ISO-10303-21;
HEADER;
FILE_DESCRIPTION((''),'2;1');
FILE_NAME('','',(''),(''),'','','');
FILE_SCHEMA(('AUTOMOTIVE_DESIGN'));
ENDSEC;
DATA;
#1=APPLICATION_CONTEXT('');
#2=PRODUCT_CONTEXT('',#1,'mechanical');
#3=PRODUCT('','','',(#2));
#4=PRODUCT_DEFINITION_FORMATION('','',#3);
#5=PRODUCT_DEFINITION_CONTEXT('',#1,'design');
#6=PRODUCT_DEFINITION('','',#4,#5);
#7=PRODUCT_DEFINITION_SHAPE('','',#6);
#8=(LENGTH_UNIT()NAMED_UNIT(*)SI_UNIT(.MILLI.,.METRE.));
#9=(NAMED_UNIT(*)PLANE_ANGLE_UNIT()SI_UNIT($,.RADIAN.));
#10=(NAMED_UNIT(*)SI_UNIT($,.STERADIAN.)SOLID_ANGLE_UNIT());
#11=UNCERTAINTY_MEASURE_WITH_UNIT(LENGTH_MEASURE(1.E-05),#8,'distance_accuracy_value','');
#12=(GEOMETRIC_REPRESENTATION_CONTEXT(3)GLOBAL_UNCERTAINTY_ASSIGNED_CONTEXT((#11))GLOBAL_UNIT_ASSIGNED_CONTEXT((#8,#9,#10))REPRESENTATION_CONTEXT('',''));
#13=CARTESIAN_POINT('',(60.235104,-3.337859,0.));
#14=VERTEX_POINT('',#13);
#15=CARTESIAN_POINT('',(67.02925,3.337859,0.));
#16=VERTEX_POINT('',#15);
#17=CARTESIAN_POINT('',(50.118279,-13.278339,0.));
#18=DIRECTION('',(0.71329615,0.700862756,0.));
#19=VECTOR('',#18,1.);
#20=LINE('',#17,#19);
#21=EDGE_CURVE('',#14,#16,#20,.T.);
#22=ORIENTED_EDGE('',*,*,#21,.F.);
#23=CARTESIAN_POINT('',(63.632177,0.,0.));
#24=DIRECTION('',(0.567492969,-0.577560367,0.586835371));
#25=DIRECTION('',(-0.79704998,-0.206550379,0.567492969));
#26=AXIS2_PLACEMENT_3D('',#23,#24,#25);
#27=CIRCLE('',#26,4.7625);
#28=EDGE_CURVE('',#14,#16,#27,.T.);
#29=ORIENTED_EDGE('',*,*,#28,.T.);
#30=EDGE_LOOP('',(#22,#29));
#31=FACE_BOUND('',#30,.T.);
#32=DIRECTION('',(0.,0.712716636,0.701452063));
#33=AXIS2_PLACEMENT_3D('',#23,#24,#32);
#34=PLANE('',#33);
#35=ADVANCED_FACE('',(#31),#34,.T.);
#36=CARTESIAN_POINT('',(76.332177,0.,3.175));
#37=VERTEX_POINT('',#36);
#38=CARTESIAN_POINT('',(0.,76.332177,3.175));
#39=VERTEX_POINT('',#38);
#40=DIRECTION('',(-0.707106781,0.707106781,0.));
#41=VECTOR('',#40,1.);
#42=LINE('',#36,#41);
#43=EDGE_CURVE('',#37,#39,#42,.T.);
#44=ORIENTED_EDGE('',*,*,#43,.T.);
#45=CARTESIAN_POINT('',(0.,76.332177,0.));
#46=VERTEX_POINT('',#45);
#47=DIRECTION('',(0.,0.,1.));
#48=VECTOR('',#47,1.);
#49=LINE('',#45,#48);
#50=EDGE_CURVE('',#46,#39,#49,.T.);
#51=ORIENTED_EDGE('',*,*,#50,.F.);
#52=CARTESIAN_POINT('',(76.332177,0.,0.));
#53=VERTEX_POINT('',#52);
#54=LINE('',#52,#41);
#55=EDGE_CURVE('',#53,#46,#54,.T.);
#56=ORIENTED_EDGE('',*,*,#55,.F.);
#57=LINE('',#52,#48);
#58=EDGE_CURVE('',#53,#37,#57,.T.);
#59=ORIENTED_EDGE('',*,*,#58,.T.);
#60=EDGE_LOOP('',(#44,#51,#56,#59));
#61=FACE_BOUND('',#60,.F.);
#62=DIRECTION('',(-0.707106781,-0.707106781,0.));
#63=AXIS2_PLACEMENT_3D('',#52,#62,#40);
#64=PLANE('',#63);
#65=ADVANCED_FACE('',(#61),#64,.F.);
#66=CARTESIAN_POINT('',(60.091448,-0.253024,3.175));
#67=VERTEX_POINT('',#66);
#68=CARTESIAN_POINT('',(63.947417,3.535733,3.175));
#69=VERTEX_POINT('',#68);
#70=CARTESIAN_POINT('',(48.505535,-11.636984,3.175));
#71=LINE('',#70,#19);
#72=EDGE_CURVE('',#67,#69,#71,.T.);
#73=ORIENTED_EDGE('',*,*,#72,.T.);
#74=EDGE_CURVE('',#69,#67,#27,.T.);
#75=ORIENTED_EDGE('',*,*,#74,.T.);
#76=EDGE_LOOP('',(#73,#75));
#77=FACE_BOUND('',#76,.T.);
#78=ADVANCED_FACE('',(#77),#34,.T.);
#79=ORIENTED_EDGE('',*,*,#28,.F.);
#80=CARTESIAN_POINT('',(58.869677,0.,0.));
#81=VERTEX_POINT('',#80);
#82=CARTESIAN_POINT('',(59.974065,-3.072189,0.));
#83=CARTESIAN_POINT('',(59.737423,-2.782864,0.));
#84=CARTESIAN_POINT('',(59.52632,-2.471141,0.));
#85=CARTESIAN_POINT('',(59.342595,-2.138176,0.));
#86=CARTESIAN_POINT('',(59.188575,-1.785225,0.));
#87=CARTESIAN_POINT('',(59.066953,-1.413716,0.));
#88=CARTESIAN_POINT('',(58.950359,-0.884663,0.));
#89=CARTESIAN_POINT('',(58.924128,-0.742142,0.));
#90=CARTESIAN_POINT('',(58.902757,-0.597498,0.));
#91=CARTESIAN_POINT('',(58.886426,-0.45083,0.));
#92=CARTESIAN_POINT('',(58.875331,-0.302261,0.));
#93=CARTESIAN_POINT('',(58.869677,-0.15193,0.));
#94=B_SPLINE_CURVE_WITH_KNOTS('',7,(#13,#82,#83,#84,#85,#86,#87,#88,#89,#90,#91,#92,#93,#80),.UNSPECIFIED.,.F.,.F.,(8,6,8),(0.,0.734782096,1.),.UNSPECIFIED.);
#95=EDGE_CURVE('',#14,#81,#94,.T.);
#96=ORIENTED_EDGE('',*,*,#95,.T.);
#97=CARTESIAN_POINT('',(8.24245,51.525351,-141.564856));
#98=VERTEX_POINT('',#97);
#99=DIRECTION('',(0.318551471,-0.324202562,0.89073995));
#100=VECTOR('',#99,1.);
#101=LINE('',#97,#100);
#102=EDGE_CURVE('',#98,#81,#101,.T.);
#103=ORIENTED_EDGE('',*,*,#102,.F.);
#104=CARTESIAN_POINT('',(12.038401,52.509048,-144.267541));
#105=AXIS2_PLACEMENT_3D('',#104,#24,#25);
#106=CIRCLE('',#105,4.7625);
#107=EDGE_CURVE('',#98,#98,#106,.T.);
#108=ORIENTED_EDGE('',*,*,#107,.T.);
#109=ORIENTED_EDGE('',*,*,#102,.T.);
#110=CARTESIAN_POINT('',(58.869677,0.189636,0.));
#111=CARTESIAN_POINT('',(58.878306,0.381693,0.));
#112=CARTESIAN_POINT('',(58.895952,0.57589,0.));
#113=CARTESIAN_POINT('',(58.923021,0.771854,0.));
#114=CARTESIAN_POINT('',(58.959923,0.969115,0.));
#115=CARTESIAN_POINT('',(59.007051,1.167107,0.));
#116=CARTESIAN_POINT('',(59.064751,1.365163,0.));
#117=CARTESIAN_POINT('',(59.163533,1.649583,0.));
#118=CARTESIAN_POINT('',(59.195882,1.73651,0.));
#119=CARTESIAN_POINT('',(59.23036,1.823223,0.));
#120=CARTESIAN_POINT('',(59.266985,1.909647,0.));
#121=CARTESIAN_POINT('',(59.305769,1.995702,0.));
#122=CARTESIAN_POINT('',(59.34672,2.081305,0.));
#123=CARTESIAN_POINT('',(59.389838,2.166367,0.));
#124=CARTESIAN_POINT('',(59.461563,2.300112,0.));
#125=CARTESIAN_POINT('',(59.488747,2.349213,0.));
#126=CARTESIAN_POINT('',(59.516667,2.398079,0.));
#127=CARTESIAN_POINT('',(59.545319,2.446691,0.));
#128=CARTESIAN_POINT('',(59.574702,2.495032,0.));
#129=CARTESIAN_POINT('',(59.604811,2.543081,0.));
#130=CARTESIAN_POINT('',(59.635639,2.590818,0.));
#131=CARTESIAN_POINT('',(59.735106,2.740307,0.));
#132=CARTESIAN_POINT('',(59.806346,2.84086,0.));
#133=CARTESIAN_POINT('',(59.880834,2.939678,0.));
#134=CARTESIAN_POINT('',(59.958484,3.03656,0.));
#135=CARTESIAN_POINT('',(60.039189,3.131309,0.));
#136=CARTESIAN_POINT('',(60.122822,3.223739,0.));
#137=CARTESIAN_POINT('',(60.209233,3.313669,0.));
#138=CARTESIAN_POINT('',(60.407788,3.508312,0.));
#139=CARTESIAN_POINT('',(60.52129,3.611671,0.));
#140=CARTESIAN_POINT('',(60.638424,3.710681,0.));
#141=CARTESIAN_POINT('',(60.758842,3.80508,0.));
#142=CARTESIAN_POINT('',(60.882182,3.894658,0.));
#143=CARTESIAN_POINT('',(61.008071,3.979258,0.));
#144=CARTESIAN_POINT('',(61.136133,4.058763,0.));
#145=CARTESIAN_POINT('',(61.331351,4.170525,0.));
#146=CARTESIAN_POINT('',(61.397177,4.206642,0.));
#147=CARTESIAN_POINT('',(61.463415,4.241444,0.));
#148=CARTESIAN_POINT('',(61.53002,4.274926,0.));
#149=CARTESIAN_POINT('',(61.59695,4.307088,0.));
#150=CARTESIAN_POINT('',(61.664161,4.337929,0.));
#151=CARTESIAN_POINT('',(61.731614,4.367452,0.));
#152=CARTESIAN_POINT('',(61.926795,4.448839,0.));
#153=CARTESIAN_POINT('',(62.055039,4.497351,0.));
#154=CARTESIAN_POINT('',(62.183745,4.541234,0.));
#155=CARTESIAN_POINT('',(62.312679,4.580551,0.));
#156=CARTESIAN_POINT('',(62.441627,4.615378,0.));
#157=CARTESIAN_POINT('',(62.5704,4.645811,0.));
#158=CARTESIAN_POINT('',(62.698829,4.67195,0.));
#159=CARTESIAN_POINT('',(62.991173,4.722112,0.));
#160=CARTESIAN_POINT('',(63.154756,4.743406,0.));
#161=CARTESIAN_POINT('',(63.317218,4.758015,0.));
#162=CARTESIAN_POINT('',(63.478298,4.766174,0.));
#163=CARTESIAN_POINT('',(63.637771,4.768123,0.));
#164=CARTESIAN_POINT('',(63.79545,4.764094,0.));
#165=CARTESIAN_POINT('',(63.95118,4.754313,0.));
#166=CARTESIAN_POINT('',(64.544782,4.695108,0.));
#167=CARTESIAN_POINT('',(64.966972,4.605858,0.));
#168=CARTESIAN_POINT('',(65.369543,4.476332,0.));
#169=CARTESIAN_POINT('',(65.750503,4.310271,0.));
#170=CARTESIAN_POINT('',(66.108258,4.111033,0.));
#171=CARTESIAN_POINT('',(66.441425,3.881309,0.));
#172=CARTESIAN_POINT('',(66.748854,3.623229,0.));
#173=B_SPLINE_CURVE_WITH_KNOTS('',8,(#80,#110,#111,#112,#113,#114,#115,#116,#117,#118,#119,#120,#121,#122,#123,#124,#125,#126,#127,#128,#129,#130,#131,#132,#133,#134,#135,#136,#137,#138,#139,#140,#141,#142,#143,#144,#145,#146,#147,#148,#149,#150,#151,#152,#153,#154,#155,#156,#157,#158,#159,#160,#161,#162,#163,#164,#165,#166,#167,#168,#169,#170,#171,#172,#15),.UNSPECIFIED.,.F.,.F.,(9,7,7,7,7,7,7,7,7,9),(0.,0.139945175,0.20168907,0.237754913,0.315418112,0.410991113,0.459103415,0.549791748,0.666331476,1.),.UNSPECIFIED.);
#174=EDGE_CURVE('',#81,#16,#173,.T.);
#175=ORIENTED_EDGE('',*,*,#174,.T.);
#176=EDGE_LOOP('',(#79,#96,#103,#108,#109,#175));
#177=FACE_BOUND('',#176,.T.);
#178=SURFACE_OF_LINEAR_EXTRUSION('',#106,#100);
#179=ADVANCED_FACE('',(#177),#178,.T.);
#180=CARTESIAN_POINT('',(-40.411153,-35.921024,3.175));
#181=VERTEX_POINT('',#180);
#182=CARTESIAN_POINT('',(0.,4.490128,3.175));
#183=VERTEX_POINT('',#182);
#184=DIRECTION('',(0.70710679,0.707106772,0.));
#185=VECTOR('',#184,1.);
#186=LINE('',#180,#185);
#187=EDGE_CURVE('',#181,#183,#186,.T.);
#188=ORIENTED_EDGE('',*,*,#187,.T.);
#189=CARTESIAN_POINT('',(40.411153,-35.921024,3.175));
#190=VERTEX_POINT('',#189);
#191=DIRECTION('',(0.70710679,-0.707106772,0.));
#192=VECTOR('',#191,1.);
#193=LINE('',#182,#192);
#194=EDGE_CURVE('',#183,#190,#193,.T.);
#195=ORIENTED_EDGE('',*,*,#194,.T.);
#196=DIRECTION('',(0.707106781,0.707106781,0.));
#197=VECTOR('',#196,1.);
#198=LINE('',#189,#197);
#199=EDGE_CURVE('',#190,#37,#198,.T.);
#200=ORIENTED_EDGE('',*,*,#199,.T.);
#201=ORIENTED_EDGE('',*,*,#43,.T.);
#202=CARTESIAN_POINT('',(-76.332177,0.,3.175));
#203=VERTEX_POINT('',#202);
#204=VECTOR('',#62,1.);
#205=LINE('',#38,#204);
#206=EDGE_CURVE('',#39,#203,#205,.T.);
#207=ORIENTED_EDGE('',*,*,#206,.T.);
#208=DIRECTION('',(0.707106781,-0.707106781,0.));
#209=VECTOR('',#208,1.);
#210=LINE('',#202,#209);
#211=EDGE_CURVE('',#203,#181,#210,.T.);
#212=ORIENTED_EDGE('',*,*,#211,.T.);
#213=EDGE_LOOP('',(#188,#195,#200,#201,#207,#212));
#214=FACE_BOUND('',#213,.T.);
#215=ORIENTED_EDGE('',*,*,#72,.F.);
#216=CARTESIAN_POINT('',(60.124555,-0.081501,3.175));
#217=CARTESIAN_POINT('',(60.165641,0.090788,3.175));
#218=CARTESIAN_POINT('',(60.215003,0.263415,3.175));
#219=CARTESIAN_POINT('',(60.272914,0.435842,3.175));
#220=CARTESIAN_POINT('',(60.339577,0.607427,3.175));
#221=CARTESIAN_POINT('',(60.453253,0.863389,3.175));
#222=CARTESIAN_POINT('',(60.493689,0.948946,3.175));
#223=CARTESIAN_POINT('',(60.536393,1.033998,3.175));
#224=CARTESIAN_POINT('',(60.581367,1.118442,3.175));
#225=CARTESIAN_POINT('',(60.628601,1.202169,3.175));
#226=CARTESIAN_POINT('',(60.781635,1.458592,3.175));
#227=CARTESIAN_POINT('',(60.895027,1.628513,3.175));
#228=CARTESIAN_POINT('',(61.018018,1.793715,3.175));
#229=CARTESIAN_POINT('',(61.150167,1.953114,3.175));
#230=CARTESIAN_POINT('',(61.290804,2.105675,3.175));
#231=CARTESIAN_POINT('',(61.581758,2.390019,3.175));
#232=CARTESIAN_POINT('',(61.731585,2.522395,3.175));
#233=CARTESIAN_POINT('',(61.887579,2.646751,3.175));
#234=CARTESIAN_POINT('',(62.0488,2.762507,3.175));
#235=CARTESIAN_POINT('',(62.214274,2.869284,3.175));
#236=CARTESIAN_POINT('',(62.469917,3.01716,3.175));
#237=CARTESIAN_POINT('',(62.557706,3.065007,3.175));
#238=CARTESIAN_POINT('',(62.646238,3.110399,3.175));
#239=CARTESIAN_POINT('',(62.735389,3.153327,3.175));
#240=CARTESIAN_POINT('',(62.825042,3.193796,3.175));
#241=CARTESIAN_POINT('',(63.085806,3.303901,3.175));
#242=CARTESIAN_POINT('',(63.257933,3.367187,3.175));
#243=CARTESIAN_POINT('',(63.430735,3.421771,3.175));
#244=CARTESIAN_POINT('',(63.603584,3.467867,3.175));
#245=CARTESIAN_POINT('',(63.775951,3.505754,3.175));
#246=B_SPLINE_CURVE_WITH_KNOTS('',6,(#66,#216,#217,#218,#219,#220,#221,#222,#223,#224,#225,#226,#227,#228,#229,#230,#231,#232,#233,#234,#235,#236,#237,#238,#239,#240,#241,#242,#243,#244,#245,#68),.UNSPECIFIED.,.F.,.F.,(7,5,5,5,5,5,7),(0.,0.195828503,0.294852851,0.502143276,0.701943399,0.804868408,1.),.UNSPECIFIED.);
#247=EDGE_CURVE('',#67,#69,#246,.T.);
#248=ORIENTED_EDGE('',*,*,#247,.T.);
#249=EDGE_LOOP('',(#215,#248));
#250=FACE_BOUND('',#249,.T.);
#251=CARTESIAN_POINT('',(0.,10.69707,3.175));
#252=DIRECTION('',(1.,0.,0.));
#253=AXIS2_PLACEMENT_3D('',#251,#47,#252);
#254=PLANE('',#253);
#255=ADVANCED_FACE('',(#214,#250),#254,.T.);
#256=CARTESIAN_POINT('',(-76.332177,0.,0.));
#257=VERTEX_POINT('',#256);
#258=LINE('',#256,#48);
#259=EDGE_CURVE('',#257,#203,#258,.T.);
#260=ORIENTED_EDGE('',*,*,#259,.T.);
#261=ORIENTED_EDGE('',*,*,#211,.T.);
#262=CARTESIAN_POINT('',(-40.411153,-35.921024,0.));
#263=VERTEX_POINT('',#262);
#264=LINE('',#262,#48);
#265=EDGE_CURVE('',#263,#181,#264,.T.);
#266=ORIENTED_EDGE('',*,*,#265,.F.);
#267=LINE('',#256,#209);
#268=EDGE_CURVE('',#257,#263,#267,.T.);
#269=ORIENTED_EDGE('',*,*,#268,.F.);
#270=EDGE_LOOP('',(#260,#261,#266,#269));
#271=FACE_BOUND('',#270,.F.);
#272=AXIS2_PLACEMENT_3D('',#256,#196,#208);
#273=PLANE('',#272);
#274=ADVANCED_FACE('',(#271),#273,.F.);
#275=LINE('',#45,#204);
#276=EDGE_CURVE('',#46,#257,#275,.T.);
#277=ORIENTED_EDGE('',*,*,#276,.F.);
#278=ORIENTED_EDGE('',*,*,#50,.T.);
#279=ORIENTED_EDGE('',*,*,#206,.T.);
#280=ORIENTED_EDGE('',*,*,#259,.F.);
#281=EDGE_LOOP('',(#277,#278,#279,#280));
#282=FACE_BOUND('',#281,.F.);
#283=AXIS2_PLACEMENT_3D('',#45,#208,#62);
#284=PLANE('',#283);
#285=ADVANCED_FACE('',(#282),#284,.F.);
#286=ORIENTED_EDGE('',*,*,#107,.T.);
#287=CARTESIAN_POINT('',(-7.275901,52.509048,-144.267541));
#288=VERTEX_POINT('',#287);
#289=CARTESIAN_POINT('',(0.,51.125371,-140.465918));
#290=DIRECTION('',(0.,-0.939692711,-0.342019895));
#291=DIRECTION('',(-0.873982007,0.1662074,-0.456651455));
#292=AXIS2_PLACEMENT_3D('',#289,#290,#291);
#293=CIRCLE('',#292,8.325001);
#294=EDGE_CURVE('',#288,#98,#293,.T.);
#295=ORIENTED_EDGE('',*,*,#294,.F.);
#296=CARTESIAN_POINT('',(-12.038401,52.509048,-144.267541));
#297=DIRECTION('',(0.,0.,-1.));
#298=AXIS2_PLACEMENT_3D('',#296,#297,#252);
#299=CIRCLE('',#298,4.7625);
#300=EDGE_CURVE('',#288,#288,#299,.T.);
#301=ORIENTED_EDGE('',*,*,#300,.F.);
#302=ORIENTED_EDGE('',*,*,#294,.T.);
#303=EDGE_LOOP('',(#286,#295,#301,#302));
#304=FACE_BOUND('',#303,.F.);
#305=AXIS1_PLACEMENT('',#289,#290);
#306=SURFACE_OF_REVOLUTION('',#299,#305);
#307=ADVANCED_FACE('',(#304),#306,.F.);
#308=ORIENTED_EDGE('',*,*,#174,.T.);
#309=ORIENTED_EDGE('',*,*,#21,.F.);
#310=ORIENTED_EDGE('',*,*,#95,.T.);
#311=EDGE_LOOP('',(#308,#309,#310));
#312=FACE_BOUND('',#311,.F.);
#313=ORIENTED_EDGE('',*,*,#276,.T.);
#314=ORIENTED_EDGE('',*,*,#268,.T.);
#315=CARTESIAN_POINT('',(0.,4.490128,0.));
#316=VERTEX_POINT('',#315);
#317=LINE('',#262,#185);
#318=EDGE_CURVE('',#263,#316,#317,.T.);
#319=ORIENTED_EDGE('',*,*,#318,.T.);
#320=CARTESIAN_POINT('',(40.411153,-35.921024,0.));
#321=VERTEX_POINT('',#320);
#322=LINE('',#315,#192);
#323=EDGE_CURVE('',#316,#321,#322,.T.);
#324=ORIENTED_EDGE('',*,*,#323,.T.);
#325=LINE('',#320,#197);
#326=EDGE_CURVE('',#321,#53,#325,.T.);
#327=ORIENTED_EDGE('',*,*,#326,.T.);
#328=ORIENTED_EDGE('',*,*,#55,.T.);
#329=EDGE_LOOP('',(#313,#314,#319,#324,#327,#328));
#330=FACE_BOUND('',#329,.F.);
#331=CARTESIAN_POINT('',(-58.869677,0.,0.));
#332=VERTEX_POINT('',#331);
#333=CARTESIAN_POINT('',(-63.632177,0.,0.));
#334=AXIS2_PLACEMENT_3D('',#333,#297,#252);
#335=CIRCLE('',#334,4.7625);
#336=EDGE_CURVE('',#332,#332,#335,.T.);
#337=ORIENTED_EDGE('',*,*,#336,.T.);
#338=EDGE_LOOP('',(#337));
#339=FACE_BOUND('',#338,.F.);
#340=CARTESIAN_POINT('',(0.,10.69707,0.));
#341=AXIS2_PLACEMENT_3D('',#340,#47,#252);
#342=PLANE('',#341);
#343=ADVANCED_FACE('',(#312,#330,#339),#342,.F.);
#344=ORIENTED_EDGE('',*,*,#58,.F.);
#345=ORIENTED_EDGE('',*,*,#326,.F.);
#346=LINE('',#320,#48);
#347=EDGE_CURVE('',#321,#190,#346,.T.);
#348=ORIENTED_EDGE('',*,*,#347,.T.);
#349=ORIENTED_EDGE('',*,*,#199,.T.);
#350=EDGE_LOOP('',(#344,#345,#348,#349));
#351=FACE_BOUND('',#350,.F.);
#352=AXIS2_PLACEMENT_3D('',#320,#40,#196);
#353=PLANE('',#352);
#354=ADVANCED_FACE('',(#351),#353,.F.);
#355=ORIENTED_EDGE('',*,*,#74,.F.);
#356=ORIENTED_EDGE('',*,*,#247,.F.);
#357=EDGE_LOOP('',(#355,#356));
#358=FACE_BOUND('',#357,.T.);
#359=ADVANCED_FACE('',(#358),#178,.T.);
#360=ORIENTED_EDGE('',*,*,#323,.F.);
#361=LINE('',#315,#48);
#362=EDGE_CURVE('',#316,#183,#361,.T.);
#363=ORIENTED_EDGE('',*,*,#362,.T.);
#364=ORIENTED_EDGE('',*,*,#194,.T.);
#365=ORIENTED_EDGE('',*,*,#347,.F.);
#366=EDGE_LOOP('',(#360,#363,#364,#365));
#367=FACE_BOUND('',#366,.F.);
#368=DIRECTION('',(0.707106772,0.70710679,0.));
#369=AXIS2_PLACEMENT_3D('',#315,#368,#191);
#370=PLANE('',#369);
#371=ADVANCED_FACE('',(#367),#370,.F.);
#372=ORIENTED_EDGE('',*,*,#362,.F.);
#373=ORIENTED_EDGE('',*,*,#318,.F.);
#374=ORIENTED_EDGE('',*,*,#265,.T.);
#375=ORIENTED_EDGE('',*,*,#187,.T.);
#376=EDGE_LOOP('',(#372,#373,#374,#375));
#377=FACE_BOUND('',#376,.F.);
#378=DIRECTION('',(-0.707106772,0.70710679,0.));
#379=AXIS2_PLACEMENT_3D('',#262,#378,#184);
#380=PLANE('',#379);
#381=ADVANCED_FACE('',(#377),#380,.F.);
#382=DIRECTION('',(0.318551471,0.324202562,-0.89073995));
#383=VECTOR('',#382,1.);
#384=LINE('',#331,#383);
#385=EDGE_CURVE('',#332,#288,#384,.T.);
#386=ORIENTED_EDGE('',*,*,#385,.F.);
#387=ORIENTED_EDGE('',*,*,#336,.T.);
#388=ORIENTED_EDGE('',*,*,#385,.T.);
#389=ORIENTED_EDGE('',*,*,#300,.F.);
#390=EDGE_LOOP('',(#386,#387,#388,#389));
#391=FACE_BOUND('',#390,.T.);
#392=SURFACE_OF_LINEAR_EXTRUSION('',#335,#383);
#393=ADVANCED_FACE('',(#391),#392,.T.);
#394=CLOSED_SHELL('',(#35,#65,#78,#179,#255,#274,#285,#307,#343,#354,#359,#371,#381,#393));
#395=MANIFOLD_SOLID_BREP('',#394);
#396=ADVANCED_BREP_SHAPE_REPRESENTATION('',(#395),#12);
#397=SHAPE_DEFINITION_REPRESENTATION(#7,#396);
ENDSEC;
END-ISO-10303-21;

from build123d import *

# Parameters (mm, degrees)
F1_DEPTH = 3.175
F6_R     = 4.7625


with BuildPart() as f1:
    # F0 (on Top) → F1 (new body)
    with BuildSketch(Plane.XY):
        Polygon((76.332177, 0), (0, 76.332177), (-76.332177, 0), (-40.411153, -35.921024), (0, 4.490128), (40.411153, -35.921024), align=None)
    extrude(amount=F1_DEPTH)

    # F7: sweep along a path in F5
    with BuildLine(Plane(origin=(0, 0, 0), x_dir=(1, 0, 0), z_dir=(0, -0.939693, -0.34202))) as f7_path:
        Line((-63.632177, 0), (-12.038401, -153.526296))
        ThreePointArc((-12.038401, -153.526296), (0, -162.180693), (12.038401, -153.526296))
        Line((12.038401, -153.526296), (63.632177, 0))
    # F6 (on face) → F7 (sweep)
    with BuildSketch(Plane(origin=(0, 0, 0), x_dir=(1, 0, 0), z_dir=(0, 0, -1))):
        with Locations((-63.632177, 0)):
            Circle(F6_R)
    sweep(path=f7_path.line)


solid = f1.part
